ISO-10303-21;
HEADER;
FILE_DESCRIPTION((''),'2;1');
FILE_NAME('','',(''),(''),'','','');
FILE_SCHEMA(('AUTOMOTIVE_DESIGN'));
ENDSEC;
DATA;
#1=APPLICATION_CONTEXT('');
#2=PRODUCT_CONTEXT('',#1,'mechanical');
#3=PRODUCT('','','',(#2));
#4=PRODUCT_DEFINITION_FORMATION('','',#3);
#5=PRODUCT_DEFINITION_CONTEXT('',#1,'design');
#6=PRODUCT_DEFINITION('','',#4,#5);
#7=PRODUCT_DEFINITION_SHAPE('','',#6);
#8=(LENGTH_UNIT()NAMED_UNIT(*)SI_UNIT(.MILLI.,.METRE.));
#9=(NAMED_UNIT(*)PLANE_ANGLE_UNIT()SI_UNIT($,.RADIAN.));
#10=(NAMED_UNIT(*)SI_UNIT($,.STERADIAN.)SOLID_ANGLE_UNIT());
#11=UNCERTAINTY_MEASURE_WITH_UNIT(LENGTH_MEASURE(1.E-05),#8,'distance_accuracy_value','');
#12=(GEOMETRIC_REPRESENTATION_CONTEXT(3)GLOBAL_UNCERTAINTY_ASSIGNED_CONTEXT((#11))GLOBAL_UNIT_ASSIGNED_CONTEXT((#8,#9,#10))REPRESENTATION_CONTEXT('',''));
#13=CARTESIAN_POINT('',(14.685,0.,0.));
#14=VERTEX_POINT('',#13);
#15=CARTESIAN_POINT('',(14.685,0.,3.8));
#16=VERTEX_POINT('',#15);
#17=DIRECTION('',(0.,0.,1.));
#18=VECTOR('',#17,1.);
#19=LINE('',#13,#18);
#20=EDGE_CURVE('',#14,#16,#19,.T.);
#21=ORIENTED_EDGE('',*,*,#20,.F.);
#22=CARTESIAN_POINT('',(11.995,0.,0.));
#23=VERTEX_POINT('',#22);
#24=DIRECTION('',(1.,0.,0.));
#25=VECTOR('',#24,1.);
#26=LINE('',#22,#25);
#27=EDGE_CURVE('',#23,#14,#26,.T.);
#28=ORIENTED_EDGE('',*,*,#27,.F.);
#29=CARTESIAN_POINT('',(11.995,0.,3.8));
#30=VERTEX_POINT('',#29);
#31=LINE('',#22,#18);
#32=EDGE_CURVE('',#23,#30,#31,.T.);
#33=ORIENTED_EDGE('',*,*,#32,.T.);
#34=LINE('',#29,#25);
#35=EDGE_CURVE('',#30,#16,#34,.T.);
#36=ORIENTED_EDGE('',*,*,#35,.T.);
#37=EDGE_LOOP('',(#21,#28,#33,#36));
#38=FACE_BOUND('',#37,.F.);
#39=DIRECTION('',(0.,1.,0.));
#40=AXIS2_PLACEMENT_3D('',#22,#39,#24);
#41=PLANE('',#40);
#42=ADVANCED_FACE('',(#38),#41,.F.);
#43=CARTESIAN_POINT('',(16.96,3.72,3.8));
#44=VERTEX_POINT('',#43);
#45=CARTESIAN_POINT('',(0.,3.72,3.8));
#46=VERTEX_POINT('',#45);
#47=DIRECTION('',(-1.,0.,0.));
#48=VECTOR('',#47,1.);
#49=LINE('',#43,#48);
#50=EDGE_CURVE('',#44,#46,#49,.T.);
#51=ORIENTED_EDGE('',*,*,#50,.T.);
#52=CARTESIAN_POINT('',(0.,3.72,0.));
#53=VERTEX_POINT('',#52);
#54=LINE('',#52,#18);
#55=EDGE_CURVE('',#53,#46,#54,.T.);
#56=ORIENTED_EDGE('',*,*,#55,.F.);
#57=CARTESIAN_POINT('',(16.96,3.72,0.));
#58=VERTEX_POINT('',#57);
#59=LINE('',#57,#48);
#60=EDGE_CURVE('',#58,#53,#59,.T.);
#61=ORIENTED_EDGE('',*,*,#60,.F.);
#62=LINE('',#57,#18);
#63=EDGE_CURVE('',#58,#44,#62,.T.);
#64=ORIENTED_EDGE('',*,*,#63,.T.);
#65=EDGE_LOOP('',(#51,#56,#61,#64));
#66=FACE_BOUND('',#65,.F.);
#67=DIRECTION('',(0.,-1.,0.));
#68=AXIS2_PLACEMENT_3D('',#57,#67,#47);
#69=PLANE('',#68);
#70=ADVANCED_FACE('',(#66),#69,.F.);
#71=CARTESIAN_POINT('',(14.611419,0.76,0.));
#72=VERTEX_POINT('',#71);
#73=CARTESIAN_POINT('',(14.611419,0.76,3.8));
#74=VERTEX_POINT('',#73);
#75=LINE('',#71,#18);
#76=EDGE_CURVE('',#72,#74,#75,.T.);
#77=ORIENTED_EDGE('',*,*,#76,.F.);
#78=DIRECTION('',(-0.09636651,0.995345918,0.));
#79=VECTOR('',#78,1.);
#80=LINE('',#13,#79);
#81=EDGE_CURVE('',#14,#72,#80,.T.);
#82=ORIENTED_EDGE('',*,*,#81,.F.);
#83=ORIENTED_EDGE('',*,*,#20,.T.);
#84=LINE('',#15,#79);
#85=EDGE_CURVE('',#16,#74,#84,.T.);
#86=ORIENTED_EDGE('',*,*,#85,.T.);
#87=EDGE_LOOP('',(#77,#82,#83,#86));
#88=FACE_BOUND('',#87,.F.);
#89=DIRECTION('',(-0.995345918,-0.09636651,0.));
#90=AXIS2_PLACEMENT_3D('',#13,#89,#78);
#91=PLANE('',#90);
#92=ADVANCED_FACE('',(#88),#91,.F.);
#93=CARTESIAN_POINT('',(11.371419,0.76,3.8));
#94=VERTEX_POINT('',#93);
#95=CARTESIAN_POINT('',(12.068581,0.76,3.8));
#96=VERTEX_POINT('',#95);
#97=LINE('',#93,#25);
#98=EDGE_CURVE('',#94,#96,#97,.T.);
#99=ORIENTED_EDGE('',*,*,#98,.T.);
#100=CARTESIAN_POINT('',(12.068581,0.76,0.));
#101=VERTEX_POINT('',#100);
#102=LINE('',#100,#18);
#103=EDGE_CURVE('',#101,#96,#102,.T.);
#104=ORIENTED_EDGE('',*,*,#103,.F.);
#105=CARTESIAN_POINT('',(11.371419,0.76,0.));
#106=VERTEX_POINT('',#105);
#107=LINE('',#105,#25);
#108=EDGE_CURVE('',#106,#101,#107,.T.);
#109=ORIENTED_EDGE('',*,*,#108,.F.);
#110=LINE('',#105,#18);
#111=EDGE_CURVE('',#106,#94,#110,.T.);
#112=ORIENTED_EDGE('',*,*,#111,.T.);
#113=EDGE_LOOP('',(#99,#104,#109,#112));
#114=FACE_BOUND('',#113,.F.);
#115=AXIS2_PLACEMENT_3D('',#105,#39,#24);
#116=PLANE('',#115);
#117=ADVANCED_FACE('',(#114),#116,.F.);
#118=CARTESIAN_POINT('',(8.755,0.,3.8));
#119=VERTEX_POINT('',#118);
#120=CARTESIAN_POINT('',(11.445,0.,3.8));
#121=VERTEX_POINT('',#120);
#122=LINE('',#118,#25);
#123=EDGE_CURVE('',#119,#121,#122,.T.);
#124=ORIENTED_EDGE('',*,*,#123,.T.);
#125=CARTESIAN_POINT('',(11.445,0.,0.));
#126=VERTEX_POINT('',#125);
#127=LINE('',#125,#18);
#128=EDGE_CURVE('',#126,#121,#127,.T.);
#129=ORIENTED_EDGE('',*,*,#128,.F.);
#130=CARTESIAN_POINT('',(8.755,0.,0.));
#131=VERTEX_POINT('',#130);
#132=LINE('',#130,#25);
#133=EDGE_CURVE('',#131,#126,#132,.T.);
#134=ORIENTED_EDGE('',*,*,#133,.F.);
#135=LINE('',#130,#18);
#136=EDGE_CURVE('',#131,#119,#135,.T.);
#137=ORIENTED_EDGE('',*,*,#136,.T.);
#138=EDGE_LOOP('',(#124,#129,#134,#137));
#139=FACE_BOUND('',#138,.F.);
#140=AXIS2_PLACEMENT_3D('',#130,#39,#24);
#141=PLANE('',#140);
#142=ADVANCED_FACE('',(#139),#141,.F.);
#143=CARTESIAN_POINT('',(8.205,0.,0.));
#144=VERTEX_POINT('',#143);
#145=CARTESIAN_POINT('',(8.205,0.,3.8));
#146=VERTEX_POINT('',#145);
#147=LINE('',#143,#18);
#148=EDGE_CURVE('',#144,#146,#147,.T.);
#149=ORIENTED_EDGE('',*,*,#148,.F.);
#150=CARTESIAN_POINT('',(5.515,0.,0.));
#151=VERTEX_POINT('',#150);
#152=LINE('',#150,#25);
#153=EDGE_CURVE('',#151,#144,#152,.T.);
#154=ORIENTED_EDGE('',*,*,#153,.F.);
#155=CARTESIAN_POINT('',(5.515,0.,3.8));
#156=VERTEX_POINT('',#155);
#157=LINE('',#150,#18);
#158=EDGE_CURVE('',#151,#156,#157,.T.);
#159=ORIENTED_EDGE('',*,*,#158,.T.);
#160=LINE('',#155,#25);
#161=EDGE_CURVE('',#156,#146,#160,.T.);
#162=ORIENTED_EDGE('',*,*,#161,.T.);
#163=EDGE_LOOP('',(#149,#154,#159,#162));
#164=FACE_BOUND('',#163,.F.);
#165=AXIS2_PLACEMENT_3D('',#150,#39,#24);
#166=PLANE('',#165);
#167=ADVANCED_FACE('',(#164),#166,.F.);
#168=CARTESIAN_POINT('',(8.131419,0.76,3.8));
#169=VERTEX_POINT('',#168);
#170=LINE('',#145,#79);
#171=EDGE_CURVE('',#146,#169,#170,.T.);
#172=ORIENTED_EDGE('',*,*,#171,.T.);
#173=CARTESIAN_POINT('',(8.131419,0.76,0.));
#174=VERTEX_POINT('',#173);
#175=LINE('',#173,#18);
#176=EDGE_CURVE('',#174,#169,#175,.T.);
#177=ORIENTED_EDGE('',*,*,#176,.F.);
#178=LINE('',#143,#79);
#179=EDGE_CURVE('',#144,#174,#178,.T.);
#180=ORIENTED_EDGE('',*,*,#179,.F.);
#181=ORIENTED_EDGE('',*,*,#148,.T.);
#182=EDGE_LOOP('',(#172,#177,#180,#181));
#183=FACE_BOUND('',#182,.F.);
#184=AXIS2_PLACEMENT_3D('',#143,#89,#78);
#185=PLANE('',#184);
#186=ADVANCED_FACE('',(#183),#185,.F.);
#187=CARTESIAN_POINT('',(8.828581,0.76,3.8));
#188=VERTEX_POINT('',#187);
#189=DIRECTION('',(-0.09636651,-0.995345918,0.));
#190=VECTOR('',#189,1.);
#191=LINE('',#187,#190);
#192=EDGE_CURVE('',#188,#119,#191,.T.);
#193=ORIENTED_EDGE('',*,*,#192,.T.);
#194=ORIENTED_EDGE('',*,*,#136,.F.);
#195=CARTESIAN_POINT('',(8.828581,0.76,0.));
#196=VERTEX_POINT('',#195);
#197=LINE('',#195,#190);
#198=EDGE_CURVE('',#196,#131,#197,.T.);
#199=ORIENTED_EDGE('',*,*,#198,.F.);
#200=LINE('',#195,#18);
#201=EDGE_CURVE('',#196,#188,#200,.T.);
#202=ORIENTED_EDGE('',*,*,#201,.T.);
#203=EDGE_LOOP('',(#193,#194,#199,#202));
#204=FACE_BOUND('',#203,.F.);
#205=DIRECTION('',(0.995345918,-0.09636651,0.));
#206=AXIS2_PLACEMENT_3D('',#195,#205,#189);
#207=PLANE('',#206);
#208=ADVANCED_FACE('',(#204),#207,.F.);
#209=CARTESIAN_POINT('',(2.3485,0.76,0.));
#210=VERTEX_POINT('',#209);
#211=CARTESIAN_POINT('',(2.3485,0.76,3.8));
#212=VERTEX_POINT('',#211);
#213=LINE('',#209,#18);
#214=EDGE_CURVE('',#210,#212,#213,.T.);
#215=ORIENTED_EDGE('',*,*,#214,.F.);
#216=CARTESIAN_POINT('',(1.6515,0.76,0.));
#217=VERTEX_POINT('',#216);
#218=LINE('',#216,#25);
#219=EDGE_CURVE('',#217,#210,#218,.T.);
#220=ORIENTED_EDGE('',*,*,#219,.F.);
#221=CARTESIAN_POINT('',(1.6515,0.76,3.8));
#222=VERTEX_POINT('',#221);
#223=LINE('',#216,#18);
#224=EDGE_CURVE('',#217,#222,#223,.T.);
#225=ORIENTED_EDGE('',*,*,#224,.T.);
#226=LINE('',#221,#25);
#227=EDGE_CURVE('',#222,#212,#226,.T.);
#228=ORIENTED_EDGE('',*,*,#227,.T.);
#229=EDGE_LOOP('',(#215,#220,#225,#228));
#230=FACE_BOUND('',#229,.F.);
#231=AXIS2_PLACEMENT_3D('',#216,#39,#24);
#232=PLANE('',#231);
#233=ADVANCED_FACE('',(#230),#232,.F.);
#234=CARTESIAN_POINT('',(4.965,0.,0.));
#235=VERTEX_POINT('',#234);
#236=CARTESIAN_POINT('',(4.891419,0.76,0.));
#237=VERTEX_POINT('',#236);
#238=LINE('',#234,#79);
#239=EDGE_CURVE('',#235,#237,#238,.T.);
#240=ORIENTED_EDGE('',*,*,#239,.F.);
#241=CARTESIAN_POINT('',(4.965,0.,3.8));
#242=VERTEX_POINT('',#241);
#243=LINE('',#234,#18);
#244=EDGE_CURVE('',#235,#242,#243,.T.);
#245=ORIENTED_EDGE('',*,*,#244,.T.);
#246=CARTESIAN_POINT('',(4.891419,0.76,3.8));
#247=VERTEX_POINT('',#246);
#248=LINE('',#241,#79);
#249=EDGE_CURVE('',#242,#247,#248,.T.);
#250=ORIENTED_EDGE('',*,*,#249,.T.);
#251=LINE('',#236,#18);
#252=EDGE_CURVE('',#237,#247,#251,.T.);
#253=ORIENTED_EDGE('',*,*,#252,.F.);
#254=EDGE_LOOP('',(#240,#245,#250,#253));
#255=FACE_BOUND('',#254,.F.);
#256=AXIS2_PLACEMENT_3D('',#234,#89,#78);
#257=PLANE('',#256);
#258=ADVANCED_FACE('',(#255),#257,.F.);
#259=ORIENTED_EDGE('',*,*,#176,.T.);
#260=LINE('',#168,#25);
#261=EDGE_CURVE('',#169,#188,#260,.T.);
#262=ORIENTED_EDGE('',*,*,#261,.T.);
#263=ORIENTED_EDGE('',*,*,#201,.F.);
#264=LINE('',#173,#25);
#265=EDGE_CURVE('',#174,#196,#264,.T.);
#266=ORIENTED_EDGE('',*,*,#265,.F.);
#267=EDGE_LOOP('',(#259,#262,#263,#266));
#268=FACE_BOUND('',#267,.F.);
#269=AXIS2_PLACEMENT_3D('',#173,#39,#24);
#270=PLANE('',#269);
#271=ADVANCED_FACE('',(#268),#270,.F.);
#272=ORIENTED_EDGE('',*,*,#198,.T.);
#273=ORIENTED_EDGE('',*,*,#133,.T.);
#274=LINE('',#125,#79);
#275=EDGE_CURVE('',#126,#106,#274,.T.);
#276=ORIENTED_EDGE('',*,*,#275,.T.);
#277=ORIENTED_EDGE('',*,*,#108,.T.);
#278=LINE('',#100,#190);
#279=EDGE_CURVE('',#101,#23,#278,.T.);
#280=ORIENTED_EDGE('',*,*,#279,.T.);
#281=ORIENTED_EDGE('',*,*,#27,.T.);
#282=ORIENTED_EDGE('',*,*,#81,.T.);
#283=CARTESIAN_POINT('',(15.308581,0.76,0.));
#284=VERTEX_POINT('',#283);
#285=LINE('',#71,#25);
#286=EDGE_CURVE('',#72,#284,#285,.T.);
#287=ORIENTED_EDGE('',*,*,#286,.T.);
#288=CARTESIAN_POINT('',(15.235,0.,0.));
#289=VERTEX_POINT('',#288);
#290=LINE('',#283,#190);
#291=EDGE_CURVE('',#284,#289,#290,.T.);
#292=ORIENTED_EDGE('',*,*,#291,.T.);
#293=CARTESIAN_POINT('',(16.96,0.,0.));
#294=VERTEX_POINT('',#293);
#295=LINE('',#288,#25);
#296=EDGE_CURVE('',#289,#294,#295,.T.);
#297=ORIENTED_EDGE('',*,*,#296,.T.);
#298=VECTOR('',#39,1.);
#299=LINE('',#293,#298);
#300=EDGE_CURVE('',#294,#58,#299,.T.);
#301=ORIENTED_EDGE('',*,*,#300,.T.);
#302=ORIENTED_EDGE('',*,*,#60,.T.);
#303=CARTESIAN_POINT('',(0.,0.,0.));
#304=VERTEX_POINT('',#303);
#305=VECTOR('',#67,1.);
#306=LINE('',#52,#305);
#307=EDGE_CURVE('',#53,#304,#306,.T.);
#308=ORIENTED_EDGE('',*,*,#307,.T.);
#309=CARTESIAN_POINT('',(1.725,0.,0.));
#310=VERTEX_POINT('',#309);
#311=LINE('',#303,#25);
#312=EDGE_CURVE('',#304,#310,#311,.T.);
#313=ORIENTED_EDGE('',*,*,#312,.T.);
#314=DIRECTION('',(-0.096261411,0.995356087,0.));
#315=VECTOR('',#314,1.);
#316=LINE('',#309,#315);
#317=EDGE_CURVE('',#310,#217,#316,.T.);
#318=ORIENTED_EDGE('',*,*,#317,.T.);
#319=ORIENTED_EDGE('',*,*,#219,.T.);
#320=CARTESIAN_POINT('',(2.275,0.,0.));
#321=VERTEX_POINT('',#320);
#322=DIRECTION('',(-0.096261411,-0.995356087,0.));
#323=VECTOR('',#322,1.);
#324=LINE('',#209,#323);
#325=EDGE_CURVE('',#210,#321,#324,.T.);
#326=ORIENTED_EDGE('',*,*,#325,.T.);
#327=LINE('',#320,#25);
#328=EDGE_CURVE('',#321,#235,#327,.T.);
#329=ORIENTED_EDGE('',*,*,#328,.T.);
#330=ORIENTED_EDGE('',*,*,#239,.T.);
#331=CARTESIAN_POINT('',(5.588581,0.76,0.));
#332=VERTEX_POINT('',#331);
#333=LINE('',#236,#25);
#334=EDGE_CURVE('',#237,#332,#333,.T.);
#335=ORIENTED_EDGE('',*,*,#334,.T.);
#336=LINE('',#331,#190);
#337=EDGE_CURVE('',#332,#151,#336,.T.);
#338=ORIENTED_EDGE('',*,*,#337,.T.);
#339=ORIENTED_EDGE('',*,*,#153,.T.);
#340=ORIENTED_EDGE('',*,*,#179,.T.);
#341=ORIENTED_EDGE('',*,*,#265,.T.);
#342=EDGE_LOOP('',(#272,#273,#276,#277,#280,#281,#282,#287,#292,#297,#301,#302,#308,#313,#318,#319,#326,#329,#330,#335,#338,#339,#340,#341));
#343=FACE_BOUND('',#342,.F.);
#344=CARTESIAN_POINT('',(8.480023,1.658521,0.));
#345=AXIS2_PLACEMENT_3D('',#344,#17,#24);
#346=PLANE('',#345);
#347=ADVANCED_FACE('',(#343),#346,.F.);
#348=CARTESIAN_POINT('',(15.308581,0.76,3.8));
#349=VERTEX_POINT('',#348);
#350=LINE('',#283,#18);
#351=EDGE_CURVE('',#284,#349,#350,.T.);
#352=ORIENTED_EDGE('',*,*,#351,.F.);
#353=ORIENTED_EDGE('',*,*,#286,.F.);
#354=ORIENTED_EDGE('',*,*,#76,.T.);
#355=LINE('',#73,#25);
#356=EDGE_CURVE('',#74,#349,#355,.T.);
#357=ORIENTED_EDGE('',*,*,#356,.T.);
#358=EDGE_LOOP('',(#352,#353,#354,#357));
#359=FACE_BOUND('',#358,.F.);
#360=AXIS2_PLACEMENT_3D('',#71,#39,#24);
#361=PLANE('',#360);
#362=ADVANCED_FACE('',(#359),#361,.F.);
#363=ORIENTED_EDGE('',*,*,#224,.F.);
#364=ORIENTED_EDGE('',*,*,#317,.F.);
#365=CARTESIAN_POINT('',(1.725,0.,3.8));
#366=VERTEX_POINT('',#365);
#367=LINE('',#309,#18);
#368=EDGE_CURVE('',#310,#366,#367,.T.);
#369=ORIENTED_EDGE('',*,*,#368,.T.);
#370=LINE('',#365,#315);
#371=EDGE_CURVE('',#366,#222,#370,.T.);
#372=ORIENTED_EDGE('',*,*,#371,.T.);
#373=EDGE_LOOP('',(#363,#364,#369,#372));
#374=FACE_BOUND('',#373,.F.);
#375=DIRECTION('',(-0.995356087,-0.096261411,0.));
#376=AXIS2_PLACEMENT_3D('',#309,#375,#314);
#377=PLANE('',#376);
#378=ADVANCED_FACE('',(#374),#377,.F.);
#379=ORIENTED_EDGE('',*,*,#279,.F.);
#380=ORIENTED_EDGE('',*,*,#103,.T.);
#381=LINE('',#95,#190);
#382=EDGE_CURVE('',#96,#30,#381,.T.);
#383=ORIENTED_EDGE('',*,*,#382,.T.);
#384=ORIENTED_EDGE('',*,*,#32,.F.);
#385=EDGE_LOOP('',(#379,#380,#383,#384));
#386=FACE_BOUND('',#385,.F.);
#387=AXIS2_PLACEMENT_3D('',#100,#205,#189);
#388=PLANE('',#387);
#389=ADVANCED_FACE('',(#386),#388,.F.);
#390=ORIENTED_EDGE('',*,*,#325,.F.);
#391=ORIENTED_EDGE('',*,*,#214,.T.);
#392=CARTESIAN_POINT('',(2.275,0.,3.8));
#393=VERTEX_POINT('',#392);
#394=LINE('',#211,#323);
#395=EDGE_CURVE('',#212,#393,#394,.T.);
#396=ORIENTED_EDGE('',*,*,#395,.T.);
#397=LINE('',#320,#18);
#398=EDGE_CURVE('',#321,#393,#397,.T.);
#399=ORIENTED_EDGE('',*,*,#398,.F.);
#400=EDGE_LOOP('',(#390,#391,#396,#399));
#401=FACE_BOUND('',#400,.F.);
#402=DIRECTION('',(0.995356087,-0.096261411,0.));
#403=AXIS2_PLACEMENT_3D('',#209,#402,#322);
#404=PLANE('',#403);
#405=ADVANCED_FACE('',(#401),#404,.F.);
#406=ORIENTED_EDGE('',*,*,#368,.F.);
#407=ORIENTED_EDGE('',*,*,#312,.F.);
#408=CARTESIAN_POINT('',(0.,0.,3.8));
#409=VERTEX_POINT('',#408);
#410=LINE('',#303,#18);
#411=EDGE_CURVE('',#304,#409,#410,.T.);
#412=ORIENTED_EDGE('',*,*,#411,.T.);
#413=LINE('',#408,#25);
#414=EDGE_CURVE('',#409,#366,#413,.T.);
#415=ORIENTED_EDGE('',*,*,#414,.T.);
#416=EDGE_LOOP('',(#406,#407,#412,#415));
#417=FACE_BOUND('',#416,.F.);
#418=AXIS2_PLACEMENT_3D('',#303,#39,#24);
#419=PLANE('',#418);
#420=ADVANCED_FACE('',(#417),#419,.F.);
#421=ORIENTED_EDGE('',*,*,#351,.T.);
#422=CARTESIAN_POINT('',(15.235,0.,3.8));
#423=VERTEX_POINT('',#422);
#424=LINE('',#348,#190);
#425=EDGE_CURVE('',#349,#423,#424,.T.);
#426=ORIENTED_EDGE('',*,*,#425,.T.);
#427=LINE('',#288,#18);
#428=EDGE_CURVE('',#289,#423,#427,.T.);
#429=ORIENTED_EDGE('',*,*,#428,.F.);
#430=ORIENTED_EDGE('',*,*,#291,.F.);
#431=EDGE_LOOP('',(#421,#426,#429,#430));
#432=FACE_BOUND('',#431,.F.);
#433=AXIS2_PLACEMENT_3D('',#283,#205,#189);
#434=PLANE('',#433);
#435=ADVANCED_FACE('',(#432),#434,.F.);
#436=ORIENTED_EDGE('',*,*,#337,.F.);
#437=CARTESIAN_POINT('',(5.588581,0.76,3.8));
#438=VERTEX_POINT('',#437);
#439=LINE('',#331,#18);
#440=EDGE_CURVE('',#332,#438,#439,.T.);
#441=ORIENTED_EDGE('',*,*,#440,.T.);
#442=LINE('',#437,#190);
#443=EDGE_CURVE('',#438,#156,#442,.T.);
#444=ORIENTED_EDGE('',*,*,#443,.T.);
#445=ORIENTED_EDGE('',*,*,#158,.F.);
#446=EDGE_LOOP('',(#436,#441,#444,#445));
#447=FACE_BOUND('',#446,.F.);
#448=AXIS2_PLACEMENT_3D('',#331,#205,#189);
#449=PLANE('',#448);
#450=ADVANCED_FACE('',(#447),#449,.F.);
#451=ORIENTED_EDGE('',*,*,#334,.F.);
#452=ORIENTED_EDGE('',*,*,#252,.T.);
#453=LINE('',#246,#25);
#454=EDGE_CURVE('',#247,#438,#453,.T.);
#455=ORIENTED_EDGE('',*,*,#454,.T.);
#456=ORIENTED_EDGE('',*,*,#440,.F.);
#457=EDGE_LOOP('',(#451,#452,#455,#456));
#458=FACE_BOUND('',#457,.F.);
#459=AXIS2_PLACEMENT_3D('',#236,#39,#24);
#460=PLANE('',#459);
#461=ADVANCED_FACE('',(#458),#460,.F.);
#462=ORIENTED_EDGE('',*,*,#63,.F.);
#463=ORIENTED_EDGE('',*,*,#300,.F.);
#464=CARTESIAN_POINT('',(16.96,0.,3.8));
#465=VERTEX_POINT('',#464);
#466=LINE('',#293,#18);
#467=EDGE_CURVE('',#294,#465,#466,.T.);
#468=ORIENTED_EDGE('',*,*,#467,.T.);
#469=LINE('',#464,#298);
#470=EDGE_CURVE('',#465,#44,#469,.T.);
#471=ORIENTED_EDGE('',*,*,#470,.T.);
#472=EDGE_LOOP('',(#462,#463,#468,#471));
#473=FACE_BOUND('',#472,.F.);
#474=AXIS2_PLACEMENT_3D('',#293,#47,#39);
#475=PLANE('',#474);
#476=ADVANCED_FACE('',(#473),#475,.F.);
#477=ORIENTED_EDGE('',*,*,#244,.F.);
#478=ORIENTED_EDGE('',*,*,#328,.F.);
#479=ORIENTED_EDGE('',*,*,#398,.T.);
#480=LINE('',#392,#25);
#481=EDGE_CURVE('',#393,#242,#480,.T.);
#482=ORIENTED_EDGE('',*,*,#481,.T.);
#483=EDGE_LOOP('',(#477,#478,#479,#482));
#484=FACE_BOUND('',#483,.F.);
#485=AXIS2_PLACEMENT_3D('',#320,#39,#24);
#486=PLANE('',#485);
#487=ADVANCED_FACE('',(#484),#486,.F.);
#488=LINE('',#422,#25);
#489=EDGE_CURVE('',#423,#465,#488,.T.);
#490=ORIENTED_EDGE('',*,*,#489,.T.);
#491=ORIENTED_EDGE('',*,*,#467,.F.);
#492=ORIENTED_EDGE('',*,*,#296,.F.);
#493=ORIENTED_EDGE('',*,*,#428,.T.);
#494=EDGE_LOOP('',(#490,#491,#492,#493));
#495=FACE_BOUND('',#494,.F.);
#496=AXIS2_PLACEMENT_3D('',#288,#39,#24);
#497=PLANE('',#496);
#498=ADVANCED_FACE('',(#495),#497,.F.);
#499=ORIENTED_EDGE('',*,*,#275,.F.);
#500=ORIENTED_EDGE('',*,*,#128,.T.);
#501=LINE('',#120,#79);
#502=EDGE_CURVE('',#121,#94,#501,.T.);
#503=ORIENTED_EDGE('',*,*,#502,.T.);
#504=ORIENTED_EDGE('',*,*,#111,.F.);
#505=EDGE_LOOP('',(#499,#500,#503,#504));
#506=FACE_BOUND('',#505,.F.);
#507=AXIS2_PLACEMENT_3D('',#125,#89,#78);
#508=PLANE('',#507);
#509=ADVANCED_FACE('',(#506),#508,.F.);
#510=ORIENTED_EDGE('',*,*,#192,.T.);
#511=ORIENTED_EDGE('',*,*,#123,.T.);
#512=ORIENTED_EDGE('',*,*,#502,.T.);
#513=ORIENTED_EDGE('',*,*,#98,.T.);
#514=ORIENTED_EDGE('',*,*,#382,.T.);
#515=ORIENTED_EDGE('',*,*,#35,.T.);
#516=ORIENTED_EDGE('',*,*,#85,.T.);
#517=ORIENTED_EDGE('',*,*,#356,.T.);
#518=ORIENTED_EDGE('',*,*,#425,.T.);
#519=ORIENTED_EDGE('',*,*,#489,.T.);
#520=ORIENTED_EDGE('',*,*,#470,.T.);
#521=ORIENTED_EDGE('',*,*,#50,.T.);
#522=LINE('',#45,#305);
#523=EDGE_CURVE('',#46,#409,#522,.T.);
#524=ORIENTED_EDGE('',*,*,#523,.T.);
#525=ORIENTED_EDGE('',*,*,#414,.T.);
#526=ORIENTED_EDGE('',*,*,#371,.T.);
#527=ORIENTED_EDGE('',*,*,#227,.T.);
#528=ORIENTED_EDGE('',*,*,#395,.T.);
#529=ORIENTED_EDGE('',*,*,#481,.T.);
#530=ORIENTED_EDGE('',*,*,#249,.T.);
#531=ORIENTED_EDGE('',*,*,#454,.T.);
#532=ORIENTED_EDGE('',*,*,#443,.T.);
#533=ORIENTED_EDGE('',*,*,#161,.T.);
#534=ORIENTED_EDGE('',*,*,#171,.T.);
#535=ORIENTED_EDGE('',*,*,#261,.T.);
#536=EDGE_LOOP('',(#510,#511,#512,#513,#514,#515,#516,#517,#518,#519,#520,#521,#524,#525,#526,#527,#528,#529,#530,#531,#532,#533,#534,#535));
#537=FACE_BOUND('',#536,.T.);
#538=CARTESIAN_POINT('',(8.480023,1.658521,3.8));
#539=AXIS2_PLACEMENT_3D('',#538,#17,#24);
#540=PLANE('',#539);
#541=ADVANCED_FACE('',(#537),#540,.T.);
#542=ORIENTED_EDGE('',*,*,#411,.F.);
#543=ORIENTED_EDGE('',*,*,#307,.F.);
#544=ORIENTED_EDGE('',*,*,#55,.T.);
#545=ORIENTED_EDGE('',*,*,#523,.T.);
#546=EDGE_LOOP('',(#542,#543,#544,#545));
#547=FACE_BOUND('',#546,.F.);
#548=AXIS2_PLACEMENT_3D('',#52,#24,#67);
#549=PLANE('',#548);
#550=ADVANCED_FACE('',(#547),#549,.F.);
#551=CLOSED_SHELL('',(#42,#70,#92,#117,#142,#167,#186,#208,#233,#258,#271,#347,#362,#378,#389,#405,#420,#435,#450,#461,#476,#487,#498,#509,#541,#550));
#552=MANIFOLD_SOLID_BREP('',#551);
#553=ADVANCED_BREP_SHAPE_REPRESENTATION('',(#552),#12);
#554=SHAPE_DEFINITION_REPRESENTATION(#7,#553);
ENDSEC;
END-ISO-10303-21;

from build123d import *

# Parameters (mm, degrees)
F1_DEPTH = 3.8


with BuildPart() as f1:
    # F0 (on Top) → F1 (new body)
    with BuildSketch(Plane.XY):
        Polygon((0, 3.72), (0, 0), (1.725, 0), (1.6515, 0.76), (2, 0.76), (2.3485, 0.76), (2.275, 0), (4.965, 0), (4.891419, 0.76), (5.24, 0.76), (5.588581, 0.76), (5.515, 0), (8.205, 0), (8.131419, 0.76), (8.48, 0.76), (8.828581, 0.76), (8.755, 0), (11.445, 0), (11.371419, 0.76), (11.72, 0.76), (12.068581, 0.76), (11.995, 0), (14.685, 0), (14.611419, 0.76), (14.96, 0.76), (15.308581, 0.76), (15.235, 0), (16.96, 0), (16.96, 3.72), align=None)
    extrude(amount=F1_DEPTH)


solid = f1.part
